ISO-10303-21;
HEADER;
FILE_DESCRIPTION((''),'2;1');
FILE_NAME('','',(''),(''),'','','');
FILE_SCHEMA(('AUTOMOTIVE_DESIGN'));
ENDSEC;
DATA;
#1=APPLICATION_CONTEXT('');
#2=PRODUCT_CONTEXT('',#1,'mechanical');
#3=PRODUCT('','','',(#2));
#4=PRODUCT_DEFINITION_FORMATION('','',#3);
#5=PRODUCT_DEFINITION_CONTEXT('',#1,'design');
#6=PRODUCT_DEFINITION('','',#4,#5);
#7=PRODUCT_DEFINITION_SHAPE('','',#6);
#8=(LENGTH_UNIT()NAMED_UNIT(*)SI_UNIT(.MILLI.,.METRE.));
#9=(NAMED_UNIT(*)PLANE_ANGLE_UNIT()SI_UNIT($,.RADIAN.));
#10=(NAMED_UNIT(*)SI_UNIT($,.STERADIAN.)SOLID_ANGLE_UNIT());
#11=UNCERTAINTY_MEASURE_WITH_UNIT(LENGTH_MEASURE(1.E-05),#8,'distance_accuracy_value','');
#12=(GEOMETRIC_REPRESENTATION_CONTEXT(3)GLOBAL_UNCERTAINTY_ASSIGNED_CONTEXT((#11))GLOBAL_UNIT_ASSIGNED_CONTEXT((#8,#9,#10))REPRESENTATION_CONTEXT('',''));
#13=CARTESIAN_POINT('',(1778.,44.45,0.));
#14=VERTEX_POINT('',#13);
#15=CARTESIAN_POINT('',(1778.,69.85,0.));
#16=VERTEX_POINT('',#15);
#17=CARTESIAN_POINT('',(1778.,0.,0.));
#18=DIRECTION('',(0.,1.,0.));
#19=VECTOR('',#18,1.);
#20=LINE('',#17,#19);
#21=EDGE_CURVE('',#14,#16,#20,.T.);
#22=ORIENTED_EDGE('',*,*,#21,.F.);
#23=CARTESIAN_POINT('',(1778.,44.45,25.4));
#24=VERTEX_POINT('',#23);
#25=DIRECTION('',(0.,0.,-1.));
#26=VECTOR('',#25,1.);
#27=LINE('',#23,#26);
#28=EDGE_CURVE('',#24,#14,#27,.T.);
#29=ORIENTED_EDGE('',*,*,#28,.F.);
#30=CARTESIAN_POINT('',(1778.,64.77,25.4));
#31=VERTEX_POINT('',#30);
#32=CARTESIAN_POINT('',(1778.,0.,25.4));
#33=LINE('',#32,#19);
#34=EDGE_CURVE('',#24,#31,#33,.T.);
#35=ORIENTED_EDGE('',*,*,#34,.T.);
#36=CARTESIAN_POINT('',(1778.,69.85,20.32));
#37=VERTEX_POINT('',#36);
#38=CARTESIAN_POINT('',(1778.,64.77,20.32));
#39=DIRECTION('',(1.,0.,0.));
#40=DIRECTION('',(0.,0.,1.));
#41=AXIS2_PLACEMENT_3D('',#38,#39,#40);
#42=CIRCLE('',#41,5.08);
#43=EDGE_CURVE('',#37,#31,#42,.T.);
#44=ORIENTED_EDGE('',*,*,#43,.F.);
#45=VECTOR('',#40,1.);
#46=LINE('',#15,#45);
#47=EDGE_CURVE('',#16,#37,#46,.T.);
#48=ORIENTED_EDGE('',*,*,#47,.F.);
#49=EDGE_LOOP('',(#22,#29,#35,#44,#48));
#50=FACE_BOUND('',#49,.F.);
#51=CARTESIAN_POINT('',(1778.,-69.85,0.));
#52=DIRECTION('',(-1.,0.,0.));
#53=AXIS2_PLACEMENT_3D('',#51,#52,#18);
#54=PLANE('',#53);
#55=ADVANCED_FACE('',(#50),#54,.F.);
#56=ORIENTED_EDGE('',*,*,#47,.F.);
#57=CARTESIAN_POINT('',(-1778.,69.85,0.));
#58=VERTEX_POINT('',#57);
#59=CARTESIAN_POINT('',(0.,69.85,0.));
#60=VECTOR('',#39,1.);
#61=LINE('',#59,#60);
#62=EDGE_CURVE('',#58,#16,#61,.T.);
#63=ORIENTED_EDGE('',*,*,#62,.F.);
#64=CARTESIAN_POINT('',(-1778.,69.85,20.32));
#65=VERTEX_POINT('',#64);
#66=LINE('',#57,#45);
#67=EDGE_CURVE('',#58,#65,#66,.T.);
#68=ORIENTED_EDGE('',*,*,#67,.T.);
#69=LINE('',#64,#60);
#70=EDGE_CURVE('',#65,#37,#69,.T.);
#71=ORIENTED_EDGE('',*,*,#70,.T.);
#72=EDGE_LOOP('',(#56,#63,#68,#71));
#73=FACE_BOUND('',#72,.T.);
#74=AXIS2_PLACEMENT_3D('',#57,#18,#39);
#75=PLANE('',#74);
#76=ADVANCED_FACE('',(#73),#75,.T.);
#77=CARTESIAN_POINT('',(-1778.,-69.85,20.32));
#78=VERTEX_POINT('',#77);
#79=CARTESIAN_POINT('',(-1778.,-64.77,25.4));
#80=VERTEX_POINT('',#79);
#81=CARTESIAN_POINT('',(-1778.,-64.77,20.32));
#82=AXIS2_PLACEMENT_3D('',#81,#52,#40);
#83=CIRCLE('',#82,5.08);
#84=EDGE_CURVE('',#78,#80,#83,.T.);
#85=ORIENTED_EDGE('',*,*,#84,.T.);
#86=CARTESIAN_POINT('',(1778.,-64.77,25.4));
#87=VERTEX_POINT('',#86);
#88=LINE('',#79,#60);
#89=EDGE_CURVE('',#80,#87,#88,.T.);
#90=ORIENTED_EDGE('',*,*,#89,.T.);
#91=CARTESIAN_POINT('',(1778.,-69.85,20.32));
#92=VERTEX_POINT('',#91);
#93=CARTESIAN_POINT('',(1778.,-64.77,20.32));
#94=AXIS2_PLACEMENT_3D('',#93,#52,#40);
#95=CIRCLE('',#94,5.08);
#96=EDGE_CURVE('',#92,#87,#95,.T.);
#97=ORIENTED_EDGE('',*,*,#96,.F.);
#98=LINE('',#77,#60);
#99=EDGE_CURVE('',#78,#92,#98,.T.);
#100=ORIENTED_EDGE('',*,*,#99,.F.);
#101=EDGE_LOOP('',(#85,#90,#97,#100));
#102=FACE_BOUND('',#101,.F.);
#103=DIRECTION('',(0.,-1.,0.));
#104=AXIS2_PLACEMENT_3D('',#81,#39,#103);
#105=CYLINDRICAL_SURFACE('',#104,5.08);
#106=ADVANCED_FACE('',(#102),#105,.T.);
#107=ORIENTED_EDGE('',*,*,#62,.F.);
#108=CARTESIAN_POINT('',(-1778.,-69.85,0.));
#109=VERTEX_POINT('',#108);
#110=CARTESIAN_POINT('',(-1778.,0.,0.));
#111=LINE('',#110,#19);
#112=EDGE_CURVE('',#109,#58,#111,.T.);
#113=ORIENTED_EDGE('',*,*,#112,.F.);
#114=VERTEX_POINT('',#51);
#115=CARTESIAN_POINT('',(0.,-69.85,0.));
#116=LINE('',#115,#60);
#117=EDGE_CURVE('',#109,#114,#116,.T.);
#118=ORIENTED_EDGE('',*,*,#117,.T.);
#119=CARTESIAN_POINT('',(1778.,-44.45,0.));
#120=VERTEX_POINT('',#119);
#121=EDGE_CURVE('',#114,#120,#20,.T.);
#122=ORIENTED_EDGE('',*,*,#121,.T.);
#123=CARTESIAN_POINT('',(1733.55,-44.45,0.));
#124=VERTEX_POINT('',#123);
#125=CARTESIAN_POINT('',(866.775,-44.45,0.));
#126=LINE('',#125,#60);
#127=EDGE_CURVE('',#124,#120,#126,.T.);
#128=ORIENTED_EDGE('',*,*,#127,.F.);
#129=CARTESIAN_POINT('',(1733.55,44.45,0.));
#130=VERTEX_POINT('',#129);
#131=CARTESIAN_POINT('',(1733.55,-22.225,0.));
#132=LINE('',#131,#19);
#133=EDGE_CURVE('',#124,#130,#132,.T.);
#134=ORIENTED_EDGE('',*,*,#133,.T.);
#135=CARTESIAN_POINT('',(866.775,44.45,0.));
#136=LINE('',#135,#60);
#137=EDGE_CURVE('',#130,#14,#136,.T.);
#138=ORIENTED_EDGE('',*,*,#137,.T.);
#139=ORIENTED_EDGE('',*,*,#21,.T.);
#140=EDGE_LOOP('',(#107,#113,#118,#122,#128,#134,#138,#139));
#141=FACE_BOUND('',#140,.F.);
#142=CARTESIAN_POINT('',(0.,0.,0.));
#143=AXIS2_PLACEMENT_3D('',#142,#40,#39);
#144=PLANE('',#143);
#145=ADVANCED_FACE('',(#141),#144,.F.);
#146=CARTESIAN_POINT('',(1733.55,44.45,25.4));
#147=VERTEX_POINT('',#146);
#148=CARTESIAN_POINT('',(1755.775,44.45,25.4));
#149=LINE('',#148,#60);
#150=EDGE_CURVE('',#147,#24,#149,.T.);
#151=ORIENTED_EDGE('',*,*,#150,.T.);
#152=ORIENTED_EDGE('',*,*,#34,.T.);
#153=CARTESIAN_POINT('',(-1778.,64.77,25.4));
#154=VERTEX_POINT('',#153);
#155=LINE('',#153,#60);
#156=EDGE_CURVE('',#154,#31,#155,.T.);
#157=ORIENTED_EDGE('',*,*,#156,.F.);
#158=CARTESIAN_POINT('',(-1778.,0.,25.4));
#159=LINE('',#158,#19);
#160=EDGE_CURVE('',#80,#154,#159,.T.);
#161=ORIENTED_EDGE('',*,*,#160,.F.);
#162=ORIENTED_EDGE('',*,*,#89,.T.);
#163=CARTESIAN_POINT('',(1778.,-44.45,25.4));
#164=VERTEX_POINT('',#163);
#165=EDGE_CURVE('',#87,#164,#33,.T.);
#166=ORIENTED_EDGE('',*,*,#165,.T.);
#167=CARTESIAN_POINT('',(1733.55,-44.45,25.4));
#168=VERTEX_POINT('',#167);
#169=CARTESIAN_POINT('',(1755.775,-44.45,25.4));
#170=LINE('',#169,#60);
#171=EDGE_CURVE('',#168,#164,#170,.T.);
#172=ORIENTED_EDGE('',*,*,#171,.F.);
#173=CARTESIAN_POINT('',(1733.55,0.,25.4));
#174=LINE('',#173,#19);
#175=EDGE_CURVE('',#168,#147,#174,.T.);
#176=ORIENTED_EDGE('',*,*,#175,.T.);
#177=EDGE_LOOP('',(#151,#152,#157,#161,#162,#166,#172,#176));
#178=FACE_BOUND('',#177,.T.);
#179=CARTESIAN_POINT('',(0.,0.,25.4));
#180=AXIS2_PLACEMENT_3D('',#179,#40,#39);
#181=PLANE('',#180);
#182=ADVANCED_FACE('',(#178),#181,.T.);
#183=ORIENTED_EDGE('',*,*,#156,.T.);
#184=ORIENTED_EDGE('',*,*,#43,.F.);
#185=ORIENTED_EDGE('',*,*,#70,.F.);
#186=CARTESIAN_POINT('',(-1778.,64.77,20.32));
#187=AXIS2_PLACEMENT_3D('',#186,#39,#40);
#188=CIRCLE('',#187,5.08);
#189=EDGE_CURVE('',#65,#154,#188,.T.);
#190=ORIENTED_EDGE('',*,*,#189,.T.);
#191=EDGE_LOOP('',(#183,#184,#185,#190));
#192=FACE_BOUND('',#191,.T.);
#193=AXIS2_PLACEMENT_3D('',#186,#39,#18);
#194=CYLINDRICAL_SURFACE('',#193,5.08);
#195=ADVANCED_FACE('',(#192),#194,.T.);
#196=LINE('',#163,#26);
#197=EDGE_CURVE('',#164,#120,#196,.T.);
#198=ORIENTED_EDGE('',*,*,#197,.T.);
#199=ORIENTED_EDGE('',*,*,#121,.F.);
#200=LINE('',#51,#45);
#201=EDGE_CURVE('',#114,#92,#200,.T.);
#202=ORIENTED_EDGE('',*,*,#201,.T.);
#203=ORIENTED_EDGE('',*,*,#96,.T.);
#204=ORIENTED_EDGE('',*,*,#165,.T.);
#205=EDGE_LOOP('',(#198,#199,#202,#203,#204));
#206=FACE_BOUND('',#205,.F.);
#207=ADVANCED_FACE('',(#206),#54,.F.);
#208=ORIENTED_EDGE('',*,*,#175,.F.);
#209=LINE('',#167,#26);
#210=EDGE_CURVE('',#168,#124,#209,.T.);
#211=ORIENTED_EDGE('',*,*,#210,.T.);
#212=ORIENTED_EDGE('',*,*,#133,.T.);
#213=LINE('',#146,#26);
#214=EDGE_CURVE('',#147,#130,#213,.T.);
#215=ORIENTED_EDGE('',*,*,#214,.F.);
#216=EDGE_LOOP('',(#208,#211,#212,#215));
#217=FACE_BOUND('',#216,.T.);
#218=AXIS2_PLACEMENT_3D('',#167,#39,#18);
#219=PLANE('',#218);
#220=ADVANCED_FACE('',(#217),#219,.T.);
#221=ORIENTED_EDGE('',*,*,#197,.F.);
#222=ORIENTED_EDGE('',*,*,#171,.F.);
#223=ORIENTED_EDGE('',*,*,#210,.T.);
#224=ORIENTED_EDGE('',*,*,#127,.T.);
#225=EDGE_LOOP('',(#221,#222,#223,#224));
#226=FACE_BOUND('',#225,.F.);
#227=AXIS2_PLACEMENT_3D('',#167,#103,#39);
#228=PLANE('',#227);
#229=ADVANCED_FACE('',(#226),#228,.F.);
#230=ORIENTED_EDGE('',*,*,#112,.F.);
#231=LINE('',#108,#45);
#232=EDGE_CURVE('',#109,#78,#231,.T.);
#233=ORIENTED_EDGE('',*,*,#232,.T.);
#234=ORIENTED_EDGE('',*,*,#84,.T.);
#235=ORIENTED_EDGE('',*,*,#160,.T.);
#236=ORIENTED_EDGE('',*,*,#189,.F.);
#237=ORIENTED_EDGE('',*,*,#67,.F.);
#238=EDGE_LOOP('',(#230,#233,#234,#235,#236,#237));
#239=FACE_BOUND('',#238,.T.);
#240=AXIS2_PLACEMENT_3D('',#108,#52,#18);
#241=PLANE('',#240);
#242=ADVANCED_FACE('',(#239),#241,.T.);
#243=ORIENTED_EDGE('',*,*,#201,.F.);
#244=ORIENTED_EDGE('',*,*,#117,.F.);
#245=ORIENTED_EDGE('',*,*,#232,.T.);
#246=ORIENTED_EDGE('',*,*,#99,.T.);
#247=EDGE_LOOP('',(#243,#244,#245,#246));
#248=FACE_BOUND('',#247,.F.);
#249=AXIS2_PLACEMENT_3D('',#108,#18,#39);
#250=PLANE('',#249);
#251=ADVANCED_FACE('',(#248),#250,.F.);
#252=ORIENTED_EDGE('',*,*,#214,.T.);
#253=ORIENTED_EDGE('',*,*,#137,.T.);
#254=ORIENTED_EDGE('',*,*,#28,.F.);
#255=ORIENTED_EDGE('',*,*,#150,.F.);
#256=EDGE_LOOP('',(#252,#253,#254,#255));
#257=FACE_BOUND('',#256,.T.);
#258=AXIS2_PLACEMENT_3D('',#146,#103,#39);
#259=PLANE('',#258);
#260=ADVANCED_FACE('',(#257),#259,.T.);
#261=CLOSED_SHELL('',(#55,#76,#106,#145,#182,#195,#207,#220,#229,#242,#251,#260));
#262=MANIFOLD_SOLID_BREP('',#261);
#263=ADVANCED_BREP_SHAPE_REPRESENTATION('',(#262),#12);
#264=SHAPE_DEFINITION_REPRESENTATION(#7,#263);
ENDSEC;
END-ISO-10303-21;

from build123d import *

# Parameters (mm, degrees)
F0_W     = 3556
F0_H     = 139.7
F1_DEPTH = 25.4
F2_W     = 44.45
F2_H     = 88.9
F3_DEPTH = 25.401
F4_R     = 5.08


with BuildPart() as f1:
    # F0 (on Top) → F1 (new body)
    with BuildSketch(Plane.XY):
        Rectangle(F0_W, F0_H)
    extrude(amount=F1_DEPTH)

    # F2 (on face) → F3 (cut, through all)
    with BuildSketch(Plane.XY.offset(25.4)):
        with Locations((1755.775, 0)):
            Rectangle(F2_W, F2_H)
    extrude(amount=-F3_DEPTH, mode=Mode.SUBTRACT)

    # F4
    f4_edges = [f1.edges().sort_by_distance(p)[0] for p in [
        (0, -69.85, 25.4),
        (0, 69.85, 25.4),
    ]]
    fillet(f4_edges, radius=F4_R)


solid = f1.part
